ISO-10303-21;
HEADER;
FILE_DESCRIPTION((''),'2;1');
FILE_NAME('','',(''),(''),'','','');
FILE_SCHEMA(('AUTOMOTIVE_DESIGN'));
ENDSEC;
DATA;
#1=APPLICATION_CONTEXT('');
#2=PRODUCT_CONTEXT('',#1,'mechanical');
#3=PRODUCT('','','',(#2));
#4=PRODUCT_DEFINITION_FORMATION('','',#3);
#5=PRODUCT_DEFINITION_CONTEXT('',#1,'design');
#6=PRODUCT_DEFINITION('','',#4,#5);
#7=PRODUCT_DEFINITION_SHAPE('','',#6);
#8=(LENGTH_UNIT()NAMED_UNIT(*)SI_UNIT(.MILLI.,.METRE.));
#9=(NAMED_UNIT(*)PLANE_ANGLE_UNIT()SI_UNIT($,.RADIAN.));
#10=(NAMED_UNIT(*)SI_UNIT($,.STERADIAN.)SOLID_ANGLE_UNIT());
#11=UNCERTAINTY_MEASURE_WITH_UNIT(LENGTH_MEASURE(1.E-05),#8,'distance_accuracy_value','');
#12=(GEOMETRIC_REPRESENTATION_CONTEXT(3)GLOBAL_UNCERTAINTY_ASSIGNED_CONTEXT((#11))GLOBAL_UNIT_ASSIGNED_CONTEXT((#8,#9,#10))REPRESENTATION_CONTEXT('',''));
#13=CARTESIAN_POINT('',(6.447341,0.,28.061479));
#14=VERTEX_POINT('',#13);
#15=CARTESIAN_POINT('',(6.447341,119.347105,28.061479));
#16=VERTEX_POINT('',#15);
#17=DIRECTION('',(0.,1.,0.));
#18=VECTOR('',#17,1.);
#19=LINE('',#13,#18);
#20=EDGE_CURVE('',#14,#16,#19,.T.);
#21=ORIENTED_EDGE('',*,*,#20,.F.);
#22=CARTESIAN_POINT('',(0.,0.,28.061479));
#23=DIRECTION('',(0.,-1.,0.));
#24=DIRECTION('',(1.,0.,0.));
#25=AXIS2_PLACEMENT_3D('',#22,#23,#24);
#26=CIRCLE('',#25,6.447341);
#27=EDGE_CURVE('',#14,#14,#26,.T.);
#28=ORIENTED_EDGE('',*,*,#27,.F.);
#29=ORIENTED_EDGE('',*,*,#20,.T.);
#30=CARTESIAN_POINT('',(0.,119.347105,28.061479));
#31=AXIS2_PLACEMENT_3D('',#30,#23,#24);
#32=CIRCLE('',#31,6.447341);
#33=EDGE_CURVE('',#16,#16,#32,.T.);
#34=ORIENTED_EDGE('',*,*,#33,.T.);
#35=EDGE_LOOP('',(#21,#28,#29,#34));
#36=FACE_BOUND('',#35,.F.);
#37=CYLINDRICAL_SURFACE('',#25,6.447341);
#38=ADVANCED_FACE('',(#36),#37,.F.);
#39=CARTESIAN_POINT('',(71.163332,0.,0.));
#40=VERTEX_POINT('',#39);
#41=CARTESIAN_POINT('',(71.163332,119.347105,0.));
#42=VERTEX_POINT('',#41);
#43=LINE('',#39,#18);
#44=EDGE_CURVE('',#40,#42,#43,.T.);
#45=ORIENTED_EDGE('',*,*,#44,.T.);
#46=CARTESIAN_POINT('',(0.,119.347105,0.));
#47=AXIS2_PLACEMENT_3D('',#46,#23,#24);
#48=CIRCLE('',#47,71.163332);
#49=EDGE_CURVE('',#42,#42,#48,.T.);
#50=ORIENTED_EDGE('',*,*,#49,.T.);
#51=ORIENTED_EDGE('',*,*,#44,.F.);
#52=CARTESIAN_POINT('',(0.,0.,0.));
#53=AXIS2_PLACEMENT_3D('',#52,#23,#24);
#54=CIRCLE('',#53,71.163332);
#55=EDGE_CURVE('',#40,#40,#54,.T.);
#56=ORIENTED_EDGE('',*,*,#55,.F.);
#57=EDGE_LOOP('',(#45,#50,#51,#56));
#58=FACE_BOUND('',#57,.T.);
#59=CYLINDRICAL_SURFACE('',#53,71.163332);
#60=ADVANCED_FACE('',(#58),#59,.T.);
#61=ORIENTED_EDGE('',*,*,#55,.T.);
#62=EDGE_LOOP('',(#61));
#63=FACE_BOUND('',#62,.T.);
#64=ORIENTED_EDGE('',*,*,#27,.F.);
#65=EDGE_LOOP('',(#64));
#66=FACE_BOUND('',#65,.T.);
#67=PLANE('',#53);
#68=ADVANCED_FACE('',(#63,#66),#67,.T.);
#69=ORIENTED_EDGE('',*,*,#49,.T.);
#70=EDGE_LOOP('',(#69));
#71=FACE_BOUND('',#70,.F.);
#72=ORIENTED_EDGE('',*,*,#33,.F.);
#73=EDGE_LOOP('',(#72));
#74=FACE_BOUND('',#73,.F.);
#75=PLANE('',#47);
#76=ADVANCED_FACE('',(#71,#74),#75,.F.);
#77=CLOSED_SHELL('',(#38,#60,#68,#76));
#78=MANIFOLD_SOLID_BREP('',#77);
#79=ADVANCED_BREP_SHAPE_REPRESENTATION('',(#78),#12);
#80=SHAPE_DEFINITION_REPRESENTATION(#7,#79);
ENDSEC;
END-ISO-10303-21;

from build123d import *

# Parameters (mm, degrees)
F0_R     = 71.163332
F1_DEPTH = 119.347105
F2_R     = 6.447341
F3_DEPTH = 173.737081


with BuildPart() as f1:
    # F0 (on Front) → F1 (new body)
    with BuildSketch(Plane.XZ):
        Circle(F0_R)
    extrude(amount=-F1_DEPTH)

    # F2 (on Front) → F3 (cut)
    with BuildSketch(Plane.XZ):
        with Locations((0, 28.061479)):
            Circle(F2_R)
    extrude(amount=-F3_DEPTH, mode=Mode.SUBTRACT)


solid = f1.part
